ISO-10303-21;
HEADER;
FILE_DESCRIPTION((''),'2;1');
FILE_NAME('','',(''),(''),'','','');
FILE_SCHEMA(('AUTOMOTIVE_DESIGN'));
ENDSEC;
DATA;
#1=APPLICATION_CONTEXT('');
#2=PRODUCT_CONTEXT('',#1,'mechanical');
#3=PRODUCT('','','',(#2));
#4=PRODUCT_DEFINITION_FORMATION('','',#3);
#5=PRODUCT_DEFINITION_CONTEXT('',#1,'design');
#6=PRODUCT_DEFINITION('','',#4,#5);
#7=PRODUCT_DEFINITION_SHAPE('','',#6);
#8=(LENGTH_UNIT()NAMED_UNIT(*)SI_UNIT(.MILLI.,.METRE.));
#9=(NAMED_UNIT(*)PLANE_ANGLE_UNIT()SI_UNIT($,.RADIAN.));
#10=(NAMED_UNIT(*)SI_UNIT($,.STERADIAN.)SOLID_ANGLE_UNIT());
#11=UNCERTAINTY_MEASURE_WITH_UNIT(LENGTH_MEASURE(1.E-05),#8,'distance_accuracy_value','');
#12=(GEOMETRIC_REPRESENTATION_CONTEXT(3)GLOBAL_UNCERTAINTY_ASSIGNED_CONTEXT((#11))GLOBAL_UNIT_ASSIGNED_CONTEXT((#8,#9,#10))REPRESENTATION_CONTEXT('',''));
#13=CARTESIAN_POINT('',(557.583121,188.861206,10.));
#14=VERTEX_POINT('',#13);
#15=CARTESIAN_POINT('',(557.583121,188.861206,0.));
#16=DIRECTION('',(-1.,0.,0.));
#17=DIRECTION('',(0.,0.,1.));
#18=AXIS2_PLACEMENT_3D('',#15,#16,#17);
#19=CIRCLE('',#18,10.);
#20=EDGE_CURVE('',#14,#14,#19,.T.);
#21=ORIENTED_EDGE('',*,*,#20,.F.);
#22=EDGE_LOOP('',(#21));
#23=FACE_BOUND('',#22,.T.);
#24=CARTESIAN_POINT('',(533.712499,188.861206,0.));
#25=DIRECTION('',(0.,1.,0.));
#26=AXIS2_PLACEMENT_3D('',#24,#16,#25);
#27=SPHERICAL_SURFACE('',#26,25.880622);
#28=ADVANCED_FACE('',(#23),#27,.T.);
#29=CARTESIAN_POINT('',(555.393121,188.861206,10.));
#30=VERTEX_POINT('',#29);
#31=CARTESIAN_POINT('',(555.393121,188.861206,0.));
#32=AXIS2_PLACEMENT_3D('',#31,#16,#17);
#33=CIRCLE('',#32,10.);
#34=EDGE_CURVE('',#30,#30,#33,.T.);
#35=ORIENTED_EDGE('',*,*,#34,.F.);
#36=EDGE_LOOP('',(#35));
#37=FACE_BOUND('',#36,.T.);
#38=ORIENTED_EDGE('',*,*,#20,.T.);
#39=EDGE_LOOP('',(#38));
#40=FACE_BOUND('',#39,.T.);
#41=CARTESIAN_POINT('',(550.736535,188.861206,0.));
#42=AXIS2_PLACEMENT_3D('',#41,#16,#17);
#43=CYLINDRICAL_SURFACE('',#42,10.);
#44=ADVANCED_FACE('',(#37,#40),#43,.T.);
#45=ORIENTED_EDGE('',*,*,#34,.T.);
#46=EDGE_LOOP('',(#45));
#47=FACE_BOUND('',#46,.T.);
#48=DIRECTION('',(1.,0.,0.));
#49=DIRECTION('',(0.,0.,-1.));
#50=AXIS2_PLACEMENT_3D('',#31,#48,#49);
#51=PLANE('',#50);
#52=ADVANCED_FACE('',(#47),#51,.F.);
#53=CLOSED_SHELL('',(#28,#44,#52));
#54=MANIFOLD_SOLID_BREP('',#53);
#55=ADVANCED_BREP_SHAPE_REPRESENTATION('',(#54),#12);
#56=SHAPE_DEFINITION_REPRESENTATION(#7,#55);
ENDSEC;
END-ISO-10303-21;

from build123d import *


with BuildPart() as part:
    # 草图1 → 旋转1 (revolve)
    with BuildSketch(Plane.XY):
        with BuildLine():
            Line((555.393121101, 188.861205983), (555.393121101, 198.861205983))
            Line((555.393121101, 198.861205983), (557.583121101, 198.861205983))
            ThreePointArc((557.583121101, 198.861205983), (559.085645733, 193.961208434), (559.593121101, 188.861205983))
            Line((559.593121101, 188.861205983), (555.393121101, 188.861205983))
        make_face()
    revolve(axis=Axis((550.736535326, 188.861205983, 0), (1, 0, 0)))


solid = part.part
